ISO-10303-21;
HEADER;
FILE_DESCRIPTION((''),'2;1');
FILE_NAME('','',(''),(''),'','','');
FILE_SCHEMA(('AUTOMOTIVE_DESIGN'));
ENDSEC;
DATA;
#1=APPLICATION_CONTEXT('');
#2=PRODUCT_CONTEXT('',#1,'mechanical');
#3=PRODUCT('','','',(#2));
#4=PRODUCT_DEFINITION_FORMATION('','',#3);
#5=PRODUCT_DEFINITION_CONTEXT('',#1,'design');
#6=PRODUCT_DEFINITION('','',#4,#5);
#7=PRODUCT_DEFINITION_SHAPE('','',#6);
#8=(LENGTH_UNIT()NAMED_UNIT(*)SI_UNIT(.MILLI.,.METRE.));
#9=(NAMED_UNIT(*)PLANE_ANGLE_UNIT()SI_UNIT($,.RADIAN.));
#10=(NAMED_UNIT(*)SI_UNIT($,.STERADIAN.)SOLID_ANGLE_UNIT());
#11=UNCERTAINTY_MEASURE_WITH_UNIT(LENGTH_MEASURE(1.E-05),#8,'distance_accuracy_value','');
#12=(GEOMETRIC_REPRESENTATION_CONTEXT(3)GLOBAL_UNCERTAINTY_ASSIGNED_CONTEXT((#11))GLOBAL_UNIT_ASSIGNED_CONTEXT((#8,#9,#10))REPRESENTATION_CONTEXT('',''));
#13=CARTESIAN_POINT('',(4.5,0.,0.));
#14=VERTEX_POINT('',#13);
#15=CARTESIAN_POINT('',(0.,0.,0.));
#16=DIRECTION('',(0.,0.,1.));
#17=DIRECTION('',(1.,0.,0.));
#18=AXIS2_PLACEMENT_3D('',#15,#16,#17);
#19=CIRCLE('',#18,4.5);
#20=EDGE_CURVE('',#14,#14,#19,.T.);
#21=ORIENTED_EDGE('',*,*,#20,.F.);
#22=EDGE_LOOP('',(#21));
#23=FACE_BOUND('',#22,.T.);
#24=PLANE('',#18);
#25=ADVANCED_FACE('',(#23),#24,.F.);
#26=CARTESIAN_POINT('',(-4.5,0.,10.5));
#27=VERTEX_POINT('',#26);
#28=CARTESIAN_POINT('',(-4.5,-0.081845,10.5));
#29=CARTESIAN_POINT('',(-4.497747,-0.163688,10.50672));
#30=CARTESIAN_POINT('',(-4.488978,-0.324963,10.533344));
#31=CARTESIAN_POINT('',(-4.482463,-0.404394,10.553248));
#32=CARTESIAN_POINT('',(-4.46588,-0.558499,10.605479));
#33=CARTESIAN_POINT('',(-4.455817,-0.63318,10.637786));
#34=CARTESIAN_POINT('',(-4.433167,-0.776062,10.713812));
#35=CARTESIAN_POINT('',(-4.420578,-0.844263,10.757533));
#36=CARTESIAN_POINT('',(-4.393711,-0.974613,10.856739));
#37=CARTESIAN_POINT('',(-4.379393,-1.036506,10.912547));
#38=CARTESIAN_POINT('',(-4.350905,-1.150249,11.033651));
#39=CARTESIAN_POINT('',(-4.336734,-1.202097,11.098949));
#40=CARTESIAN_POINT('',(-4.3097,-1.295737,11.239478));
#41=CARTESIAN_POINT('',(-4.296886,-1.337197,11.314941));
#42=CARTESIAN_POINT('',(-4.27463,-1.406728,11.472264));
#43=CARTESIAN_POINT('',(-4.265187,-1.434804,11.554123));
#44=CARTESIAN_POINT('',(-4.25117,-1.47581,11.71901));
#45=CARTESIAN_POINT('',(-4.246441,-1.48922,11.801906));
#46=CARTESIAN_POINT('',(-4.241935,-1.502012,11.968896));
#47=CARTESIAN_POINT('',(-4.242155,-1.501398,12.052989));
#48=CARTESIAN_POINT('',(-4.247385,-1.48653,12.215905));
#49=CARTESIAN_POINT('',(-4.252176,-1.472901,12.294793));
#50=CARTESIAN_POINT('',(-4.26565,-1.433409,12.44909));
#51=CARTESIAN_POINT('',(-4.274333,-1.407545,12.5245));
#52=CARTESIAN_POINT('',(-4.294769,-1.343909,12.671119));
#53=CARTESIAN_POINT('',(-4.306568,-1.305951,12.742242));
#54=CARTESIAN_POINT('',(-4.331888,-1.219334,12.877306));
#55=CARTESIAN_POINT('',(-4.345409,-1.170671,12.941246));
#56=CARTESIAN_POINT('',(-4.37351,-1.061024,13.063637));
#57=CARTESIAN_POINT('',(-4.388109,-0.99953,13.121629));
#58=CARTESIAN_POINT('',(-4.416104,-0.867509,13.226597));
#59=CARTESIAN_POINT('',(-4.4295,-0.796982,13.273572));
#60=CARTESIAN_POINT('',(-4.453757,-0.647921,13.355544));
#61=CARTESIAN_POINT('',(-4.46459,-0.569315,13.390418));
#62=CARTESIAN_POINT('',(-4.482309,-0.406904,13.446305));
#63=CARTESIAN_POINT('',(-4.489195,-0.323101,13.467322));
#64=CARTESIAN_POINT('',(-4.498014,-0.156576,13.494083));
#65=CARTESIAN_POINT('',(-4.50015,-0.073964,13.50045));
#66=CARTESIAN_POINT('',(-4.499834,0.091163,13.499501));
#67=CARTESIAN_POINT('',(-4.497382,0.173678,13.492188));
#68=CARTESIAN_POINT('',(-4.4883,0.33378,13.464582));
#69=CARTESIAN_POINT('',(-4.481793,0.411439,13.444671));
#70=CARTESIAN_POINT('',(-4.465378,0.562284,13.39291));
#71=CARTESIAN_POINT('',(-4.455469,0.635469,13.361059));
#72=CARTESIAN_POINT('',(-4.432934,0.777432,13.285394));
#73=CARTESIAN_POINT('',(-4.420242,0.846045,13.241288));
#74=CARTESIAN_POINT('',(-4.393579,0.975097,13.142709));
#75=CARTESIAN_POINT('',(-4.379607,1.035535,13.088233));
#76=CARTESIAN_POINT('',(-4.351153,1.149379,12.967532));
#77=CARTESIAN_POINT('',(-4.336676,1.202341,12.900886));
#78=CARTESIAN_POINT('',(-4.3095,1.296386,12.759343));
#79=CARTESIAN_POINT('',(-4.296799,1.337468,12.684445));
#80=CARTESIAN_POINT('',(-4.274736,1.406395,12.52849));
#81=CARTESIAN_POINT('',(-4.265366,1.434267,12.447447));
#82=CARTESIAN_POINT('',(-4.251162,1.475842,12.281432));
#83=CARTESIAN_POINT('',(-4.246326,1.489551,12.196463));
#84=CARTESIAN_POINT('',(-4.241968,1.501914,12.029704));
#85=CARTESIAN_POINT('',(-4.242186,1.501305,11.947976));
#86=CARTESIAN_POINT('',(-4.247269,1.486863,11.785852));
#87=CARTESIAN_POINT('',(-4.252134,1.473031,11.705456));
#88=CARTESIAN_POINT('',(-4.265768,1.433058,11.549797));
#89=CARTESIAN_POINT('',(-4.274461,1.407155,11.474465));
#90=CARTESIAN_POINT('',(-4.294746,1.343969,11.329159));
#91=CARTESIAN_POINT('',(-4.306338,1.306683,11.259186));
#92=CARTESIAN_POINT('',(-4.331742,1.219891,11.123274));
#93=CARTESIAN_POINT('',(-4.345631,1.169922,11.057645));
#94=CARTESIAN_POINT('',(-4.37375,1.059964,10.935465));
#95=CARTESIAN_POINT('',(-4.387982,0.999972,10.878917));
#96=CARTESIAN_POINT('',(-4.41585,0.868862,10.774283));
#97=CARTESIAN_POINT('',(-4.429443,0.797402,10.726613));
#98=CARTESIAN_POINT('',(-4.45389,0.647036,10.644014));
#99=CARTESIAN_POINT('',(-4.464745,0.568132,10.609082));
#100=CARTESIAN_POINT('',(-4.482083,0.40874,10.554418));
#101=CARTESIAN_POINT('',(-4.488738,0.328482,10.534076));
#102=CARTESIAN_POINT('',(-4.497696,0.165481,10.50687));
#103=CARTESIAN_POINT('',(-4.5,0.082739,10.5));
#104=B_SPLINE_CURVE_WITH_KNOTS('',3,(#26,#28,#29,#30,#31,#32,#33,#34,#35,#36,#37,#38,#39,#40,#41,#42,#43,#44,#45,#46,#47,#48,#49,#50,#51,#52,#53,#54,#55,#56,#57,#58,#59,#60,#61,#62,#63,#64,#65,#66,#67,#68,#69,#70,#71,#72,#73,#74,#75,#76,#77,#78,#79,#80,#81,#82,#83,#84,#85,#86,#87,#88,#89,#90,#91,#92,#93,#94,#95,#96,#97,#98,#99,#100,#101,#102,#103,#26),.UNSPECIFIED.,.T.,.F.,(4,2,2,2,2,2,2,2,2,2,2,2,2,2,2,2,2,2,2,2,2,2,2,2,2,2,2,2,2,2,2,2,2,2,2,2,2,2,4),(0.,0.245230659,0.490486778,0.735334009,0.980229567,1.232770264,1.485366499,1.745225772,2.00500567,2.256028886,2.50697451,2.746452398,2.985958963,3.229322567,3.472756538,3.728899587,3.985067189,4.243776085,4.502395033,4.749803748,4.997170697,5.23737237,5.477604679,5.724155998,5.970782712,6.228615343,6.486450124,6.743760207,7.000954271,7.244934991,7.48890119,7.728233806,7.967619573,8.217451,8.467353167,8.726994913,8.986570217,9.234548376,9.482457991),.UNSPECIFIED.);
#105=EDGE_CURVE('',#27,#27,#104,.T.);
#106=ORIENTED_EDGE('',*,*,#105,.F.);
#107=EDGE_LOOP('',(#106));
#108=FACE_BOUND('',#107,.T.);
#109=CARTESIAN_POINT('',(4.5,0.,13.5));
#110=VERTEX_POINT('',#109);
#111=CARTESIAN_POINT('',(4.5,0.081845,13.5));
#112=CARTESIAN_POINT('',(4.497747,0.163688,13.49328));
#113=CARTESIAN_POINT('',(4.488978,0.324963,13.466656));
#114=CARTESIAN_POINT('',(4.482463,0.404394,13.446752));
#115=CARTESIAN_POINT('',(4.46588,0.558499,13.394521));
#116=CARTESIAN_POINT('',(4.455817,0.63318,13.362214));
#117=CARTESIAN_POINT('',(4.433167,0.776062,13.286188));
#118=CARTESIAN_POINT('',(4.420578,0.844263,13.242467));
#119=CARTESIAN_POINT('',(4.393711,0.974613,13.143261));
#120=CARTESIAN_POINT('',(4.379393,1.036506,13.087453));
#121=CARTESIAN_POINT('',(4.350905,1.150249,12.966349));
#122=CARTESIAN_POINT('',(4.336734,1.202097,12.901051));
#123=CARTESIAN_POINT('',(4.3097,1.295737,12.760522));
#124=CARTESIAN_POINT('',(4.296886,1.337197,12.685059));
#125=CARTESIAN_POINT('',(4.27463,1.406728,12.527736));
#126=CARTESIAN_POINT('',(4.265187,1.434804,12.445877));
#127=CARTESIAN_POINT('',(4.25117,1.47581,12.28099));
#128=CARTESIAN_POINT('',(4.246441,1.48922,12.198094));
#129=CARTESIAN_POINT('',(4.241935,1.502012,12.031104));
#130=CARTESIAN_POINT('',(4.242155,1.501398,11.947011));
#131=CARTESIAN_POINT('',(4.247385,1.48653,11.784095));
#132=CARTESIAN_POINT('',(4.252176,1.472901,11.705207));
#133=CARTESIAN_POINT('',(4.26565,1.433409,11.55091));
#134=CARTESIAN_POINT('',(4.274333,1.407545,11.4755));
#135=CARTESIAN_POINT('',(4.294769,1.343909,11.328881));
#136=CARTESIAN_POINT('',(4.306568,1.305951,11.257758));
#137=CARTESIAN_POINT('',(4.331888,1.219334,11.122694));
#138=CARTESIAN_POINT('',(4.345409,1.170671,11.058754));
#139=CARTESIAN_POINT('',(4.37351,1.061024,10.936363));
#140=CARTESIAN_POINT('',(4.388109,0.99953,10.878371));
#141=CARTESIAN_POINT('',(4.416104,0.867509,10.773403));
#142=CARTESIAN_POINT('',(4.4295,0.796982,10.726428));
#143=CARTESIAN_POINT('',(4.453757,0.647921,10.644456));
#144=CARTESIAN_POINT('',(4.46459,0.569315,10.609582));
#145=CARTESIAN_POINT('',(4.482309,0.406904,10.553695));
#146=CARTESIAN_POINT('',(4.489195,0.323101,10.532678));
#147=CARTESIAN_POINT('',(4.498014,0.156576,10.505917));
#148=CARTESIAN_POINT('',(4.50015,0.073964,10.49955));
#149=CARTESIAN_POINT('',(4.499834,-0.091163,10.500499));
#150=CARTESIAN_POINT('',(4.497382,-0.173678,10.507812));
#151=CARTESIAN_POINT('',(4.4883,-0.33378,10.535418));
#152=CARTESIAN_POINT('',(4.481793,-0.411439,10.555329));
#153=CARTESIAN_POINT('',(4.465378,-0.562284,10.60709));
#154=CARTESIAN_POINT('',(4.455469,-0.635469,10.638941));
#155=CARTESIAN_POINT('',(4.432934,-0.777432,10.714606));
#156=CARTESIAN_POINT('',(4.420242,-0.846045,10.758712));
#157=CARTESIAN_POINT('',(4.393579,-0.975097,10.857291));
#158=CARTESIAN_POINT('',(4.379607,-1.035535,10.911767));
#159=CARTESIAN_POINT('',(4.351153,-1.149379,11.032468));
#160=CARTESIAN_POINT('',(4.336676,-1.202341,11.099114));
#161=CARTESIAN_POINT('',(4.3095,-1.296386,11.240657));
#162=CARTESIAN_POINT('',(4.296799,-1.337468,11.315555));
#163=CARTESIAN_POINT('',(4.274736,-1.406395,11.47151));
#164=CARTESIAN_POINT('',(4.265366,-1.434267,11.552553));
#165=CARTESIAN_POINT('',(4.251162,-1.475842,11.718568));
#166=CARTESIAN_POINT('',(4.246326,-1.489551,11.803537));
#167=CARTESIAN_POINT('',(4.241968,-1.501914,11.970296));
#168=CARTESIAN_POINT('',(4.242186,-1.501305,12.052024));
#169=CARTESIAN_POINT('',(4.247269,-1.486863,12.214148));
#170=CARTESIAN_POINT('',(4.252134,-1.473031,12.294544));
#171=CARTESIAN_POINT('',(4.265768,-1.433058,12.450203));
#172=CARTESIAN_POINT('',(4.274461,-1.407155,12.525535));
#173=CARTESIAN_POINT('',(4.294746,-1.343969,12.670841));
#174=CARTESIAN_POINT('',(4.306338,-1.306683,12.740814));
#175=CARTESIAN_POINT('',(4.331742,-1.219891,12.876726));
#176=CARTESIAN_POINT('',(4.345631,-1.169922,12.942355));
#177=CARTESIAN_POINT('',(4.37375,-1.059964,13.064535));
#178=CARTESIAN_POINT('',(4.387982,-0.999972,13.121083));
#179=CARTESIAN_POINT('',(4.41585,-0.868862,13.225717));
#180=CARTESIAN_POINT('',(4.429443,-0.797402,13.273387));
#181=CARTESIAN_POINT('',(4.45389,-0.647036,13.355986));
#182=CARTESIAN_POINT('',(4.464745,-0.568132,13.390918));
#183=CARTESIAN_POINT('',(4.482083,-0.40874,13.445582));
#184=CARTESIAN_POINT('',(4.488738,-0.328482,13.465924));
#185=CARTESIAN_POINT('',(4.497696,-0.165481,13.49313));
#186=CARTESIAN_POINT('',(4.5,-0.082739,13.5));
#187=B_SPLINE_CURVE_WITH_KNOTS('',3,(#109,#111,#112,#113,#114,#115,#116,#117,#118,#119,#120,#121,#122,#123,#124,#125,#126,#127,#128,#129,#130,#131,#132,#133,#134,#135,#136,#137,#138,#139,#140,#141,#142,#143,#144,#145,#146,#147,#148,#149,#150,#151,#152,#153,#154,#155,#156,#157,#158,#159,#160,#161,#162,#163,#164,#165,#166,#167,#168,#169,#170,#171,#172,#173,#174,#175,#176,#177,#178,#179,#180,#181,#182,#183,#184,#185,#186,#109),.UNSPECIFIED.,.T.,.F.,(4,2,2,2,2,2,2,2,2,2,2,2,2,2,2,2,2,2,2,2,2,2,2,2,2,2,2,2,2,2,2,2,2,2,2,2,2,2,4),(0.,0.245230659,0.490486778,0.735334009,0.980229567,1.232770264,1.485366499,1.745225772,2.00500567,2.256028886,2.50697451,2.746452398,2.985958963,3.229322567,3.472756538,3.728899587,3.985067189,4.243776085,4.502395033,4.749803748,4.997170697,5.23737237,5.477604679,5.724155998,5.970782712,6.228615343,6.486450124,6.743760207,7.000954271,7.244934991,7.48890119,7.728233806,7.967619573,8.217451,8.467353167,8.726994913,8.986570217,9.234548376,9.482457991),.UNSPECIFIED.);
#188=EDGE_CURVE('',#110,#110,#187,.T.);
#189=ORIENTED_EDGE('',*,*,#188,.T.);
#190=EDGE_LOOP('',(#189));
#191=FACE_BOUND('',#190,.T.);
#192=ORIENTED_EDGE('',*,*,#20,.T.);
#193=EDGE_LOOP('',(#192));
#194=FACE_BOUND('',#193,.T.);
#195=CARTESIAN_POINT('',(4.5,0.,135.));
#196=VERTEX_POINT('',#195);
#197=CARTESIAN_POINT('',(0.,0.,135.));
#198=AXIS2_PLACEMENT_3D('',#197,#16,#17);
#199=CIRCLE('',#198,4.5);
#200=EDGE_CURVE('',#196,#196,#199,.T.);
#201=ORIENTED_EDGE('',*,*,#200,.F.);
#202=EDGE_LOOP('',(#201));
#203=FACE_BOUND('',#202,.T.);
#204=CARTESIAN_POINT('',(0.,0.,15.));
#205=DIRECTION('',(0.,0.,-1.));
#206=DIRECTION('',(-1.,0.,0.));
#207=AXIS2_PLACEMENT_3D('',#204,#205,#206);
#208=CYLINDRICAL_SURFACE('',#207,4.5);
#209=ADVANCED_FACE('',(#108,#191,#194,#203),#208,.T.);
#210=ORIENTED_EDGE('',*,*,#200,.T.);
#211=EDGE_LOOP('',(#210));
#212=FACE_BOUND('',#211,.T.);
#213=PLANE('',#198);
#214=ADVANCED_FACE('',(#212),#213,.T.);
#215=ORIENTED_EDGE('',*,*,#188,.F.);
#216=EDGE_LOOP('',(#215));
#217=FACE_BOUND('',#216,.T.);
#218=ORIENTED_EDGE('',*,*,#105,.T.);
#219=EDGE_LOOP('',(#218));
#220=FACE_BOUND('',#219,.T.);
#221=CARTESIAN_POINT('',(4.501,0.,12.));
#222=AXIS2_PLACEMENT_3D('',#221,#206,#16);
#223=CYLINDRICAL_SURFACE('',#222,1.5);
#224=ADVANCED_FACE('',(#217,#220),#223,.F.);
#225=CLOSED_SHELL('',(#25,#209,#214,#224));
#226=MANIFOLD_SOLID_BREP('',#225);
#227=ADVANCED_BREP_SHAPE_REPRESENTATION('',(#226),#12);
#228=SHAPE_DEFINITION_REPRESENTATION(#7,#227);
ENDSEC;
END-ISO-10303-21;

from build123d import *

# Parameters (mm, degrees)
IZIM1_R                                = 4.5
Y_KSEKLIK_EKSTR_ZYON1_DEPTH            = 15
KES_EKSTR_ZYON1_REACH                  = 18.294
KES_EKSTR_ZYON1_END_RADIUS             = 4.5
IZIM2_R                                = 1.5
KES_EKSTR_ZYON1_DIRECTION_2_REACH      = 18.294
KES_EKSTR_ZYON1_DIRECTION_2_END_RADIUS = 4.5
IZIM3_R                                = 4.5
Y_KSEKLIK_EKSTR_ZYON2_DEPTH            = 120


with BuildPart() as part:
    # Çizim1 → Yükseklik-Ekstrüzyon1 (new body)
    with BuildSketch(Plane.XY):
        Circle(IZIM1_R)
    extrude(amount=Y_KSEKLIK_EKSTR_ZYON1_DEPTH)

    # Kes-Ekstrüzyon1: up to this cylinder (the profile starts inside it)
    kes_ekstr_zyon1_end = Plane(origin=(0, 0, 12), z_dir=(0, 0, -1)) * Cylinder(KES_EKSTR_ZYON1_END_RADIUS, 46.588, mode=Mode.PRIVATE)
    # Çizim2 → Kes-Ekstrüzyon1 (cut, up to the surface)
    with BuildSketch(Plane(origin=(0, 0, 0), x_dir=(0, 0, -1), z_dir=(1, 0, 0)), mode=Mode.PRIVATE) as kes_ekstr_zyon1_sk1:
        with Locations((-12, 0)):
            Circle(IZIM2_R)
    kes_ekstr_zyon1_tool1 = extrude(kes_ekstr_zyon1_sk1.sketch, amount=-KES_EKSTR_ZYON1_REACH, mode=Mode.PRIVATE) & kes_ekstr_zyon1_end
    add(kes_ekstr_zyon1_tool1.solids().sort_by_distance((0, 0, 12))[0], mode=Mode.SUBTRACT)

    # Kes-Ekstrüzyon1 direction 2: up to this cylinder (the profile starts inside it)
    kes_ekstr_zyon1_direction_2_end = Plane(origin=(0, 0, 12), z_dir=(0, 0, -1)) * Cylinder(KES_EKSTR_ZYON1_DIRECTION_2_END_RADIUS, 46.588, mode=Mode.PRIVATE)
    # Çizim2 → Kes-Ekstrüzyon1 direction 2 (cut, up to the surface)
    with BuildSketch(Plane(origin=(0, 0, 0), x_dir=(0, 0, -1), z_dir=(1, 0, 0)), mode=Mode.PRIVATE) as kes_ekstr_zyon1_direction_2_sk1:
        with Locations((-12, 0)):
            Circle(IZIM2_R)
    kes_ekstr_zyon1_direction_2_tool1 = extrude(kes_ekstr_zyon1_direction_2_sk1.sketch, amount=KES_EKSTR_ZYON1_DIRECTION_2_REACH, mode=Mode.PRIVATE) & kes_ekstr_zyon1_direction_2_end
    add(kes_ekstr_zyon1_direction_2_tool1.solids().sort_by_distance((0, 0, 12))[0], mode=Mode.SUBTRACT)

    # Çizim3 → Yükseklik-Ekstrüzyon2 (add)
    with BuildSketch(Plane.XY.offset(15)):
        Circle(IZIM3_R)
    extrude(amount=Y_KSEKLIK_EKSTR_ZYON2_DEPTH)


solid = part.part
